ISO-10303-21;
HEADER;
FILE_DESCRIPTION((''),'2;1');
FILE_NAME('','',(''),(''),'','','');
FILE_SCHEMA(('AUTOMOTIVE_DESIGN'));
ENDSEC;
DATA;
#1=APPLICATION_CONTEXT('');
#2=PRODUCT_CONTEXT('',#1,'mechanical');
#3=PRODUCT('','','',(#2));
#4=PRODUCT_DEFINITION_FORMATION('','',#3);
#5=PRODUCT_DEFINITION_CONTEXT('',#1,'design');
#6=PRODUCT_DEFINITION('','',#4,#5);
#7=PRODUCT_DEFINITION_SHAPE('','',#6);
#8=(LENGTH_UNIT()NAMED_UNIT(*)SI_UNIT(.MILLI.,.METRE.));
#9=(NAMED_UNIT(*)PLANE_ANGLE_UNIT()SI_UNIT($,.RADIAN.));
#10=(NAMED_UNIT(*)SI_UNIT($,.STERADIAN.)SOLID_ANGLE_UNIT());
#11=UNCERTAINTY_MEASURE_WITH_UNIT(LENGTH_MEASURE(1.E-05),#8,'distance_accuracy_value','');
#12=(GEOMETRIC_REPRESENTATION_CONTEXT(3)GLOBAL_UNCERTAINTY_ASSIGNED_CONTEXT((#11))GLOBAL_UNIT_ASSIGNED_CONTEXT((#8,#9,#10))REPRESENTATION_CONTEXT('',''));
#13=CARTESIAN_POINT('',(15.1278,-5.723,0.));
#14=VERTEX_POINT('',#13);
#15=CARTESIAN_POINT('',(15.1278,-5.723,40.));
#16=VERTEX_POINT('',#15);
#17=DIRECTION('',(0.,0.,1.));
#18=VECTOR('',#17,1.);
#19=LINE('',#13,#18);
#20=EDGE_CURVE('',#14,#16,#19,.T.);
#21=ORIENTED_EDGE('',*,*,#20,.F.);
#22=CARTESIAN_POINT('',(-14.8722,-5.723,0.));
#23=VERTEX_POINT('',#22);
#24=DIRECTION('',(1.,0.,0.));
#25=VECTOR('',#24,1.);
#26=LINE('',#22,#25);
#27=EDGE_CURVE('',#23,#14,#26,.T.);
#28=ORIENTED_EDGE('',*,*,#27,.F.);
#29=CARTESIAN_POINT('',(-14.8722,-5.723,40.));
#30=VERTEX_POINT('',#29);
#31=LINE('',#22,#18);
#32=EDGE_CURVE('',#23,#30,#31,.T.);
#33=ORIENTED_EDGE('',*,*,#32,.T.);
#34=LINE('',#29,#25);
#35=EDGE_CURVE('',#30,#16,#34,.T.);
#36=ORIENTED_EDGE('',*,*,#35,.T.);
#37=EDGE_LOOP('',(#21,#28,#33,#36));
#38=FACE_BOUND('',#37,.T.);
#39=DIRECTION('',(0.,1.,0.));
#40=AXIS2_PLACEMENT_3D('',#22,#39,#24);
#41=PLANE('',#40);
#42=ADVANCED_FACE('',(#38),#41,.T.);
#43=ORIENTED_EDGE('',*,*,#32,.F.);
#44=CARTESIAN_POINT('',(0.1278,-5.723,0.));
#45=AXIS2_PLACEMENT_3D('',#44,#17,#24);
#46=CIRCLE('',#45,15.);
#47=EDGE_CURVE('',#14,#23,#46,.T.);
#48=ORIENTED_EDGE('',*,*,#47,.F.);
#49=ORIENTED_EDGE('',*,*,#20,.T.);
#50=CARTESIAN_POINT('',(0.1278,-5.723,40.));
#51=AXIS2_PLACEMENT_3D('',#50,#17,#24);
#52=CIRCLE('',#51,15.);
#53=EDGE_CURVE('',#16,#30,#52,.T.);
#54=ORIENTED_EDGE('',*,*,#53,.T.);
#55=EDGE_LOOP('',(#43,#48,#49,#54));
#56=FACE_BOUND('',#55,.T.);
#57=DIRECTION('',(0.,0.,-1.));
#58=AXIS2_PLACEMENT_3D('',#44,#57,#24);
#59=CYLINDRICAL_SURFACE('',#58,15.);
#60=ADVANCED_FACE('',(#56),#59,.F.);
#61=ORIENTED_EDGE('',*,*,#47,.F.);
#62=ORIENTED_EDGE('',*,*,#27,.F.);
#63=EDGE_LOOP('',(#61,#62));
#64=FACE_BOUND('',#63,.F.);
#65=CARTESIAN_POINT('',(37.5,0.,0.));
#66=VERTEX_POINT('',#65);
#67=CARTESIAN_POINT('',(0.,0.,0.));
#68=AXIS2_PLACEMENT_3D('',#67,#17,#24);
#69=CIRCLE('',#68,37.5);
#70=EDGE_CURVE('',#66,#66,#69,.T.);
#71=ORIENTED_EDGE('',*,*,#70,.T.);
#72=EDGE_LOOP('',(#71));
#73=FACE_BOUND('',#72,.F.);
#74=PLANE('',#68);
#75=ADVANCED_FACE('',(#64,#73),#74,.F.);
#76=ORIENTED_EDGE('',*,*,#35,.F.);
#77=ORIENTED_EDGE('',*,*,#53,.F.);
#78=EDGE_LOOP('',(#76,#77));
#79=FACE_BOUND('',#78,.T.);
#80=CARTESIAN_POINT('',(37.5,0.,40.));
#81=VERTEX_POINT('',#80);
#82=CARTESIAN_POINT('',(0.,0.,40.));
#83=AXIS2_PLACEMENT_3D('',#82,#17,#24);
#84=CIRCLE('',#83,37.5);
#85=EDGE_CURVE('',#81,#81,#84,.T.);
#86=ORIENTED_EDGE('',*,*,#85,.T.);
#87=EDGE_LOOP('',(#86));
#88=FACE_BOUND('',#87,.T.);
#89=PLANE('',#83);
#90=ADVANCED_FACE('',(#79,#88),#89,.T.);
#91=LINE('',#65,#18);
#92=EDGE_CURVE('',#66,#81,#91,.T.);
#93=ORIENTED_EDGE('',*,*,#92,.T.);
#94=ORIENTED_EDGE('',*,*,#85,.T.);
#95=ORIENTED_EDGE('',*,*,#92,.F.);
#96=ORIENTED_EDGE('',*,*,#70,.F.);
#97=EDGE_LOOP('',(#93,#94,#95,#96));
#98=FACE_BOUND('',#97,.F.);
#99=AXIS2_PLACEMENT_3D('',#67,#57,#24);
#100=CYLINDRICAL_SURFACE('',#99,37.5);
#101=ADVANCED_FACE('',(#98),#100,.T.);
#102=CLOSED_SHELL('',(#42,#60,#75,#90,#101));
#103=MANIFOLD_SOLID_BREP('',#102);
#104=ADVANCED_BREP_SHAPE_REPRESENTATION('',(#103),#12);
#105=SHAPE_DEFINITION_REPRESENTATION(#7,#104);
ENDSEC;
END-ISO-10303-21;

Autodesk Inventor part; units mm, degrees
ref_plane "YZ Plane" through (0, 0, 0) normal (1, 0, 0) x (0, 1, 0)
ref_plane "XZ Plane" through (0, 0, 0) normal (0, 1, 0) x (-1, 0, 0)
ref_plane "XY Plane" through (0, 0, 0) normal (0, 0, 1) x (1, 0, 0)
sketch "Sketch1" plane through (0, 0, 0) normal (0, 0, 1) x (1, 0, 0)
  circle A0 centre (0, 0) radius 37.5
  arc A1 (15.1278, -5.723) -> (-14.8722, -5.723) centre (0.1278, -5.723) ccw
  line L0 (-14.8722, -5.723) -> (15.1278, -5.723)
  dimension "d0" = 75
  dimension "d1" = 15
extrude "Extrusion1" add sketch "Sketch1" along normal blind 40
properties part number "wheel"
